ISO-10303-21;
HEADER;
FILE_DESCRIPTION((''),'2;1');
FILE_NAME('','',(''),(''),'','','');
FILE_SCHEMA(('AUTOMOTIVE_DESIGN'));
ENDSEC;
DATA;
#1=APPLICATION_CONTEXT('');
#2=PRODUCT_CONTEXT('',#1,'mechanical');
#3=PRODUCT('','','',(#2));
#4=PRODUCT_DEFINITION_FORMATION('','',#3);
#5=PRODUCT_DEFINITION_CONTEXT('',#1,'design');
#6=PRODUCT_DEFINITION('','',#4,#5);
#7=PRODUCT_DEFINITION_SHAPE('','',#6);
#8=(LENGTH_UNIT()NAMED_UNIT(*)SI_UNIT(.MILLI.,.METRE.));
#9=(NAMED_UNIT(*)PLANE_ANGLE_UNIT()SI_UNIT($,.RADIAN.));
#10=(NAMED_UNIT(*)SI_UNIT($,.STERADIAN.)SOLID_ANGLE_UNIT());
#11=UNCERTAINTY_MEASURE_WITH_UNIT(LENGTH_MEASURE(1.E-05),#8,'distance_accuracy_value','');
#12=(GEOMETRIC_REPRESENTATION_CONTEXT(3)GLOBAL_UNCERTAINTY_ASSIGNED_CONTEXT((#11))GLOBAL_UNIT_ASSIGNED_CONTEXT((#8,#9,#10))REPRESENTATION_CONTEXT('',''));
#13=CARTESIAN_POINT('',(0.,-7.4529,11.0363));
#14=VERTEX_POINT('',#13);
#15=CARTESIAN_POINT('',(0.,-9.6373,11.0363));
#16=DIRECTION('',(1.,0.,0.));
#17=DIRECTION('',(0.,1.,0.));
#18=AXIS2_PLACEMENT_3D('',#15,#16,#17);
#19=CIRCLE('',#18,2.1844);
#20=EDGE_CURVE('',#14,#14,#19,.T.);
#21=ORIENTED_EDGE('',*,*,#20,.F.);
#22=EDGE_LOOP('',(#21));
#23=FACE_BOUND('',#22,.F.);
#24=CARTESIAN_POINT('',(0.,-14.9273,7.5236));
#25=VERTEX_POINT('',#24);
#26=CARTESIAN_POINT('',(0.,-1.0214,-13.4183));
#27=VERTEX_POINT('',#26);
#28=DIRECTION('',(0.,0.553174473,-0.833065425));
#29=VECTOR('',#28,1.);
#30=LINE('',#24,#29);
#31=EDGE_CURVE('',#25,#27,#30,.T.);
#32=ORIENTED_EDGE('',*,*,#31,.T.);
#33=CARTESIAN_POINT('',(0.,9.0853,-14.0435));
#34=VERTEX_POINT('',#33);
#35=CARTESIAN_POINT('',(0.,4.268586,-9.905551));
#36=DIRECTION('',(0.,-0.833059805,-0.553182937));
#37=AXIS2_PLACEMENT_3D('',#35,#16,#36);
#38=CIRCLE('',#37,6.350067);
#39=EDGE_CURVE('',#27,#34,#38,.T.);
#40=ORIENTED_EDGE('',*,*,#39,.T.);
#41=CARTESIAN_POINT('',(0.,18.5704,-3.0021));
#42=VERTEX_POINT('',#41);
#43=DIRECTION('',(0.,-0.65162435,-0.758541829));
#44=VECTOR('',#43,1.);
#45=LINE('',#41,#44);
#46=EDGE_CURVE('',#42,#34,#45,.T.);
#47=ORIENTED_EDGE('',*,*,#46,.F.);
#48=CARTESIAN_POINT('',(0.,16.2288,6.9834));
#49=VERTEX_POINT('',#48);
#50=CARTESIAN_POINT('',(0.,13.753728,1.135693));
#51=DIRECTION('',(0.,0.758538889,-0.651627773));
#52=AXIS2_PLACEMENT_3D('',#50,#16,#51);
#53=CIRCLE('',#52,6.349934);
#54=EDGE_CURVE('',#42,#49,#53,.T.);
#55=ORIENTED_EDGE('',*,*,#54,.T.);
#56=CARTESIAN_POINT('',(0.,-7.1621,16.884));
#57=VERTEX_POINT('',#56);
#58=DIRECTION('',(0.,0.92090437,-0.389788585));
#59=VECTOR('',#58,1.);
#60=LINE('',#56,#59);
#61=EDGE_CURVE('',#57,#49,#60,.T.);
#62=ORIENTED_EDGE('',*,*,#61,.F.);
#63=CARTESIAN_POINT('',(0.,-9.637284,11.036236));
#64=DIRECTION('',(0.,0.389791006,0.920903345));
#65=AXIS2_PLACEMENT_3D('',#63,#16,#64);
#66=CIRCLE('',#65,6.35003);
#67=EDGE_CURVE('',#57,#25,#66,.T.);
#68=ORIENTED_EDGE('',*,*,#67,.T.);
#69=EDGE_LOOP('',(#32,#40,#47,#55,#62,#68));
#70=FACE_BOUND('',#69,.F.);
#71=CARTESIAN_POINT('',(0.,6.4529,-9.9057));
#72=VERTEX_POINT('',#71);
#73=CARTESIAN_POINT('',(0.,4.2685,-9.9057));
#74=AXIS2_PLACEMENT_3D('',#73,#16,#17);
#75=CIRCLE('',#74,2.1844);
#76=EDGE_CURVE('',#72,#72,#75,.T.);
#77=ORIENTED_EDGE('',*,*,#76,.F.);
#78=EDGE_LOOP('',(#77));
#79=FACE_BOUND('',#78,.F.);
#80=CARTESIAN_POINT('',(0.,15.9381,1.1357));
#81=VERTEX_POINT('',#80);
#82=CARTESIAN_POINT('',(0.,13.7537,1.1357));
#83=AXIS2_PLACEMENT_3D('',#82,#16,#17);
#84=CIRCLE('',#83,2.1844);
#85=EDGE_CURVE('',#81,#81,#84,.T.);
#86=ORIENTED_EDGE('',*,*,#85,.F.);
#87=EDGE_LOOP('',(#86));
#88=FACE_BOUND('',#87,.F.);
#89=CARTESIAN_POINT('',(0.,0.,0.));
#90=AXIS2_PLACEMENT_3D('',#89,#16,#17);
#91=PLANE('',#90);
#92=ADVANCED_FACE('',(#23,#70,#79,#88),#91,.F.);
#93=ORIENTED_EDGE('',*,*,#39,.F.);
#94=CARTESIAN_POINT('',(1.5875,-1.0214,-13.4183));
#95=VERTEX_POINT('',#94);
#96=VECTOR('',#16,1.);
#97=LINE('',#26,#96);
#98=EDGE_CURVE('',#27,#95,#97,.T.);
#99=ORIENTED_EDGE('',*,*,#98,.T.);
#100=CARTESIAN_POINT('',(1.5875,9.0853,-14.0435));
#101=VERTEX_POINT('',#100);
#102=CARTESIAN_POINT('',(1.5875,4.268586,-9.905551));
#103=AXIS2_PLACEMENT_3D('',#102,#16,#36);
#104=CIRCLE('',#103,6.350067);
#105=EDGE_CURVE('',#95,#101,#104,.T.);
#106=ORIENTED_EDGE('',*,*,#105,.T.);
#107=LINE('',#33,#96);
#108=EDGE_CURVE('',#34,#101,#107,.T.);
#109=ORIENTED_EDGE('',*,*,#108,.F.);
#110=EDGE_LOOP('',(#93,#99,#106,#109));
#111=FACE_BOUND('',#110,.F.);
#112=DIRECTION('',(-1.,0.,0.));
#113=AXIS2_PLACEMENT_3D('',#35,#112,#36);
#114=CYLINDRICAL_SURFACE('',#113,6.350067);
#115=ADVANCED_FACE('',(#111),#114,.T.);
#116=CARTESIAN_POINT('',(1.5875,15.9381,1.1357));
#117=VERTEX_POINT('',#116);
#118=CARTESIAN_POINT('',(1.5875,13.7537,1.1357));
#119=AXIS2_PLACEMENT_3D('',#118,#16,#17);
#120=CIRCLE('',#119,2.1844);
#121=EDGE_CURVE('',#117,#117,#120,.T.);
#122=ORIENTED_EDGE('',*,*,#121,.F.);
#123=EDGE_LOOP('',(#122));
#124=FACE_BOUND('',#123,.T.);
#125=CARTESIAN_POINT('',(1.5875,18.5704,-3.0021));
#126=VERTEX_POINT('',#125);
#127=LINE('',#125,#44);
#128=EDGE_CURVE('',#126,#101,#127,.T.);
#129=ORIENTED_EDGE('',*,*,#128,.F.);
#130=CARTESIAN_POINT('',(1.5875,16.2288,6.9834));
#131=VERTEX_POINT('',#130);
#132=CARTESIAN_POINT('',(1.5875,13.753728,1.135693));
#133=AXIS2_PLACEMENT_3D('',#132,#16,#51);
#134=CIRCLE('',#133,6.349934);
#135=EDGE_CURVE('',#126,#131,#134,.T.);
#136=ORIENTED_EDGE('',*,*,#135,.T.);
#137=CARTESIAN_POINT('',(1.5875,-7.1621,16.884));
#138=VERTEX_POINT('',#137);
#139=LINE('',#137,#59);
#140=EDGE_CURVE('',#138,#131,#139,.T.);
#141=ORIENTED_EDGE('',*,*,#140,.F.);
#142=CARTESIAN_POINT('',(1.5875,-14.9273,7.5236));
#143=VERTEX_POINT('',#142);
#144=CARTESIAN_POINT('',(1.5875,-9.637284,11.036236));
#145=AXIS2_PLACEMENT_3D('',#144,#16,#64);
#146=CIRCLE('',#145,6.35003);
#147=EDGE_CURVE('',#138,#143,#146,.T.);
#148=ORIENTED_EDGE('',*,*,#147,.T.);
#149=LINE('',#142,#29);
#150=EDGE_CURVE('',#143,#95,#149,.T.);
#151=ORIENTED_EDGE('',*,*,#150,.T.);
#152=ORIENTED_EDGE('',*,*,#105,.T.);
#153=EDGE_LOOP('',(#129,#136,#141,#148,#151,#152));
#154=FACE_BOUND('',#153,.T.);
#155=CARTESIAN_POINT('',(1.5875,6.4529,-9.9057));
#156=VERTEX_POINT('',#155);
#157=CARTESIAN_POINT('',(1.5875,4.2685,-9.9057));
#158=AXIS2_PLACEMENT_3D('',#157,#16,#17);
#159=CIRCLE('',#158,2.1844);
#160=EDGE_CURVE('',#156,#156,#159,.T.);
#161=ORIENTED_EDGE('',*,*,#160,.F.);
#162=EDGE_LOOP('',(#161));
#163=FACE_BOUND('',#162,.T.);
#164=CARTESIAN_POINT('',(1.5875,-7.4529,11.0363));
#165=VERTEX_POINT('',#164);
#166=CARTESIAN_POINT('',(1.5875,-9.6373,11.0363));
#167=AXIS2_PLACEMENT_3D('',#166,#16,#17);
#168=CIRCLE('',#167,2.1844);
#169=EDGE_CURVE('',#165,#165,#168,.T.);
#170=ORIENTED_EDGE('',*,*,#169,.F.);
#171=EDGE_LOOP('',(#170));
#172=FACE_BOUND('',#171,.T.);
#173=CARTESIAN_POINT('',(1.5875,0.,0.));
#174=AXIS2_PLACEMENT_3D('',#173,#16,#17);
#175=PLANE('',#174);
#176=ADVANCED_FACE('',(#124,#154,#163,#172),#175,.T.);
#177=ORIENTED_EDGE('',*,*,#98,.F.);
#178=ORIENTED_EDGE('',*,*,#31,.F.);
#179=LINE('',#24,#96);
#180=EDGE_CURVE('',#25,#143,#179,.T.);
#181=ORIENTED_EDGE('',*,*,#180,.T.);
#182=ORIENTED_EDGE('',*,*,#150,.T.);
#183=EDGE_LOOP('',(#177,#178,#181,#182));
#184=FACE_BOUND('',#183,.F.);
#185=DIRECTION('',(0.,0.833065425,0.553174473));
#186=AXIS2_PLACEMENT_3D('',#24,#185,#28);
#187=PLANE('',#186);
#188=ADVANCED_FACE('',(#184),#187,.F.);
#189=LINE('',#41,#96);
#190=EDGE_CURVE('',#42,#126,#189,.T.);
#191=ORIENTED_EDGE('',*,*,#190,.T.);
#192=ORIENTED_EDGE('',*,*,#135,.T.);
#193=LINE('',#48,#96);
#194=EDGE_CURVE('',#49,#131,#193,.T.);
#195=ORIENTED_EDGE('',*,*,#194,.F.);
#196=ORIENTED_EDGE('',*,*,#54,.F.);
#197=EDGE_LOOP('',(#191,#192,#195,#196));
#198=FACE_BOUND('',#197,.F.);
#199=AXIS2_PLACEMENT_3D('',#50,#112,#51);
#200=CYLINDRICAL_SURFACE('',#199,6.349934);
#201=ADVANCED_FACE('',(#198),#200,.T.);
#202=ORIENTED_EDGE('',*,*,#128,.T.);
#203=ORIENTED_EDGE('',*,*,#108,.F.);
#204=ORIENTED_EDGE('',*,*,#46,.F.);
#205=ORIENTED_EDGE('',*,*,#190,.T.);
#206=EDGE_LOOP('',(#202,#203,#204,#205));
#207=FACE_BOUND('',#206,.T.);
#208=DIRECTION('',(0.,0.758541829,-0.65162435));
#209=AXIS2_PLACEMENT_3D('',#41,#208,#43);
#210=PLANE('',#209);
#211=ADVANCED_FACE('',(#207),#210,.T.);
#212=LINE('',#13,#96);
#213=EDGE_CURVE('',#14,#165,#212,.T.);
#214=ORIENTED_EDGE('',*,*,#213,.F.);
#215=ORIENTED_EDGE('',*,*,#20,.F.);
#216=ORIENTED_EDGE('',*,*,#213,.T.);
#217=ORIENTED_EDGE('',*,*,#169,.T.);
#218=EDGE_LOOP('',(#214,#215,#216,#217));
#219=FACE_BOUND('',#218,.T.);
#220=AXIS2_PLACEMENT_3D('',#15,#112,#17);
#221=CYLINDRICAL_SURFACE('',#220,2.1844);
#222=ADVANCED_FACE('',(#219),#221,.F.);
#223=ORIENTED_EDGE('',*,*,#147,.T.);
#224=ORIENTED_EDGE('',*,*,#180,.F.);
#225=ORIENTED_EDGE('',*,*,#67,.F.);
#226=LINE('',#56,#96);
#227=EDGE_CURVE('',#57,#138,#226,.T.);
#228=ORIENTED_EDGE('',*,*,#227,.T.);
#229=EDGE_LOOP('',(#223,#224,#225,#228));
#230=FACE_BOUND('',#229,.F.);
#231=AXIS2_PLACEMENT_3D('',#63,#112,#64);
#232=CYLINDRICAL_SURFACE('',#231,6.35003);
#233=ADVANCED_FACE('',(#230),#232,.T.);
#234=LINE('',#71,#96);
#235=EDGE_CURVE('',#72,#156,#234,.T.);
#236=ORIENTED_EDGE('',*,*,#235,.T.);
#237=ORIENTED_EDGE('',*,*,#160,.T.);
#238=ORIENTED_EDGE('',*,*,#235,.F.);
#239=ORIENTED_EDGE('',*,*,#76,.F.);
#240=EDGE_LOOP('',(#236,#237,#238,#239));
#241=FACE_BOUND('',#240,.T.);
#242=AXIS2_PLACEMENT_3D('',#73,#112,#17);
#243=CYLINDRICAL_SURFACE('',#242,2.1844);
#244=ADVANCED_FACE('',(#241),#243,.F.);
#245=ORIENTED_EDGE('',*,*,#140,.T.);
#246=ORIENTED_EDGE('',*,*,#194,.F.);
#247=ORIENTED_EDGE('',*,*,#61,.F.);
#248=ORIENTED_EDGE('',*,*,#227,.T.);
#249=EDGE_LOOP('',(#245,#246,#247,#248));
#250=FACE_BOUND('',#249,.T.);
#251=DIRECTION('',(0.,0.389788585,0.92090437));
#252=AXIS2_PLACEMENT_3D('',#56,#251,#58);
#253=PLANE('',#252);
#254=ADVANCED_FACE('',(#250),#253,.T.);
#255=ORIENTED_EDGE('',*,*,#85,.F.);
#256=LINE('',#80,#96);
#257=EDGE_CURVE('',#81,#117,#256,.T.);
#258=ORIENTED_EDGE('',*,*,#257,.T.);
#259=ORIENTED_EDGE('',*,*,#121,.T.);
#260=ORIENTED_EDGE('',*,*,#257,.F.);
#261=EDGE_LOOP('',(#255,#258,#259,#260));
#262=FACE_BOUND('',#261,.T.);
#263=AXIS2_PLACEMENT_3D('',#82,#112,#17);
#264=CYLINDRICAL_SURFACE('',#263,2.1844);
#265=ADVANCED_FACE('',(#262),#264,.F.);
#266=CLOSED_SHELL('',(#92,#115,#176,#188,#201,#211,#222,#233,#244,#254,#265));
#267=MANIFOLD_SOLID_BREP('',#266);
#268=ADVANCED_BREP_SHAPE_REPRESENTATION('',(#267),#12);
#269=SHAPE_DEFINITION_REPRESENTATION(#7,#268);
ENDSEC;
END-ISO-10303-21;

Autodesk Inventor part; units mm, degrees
ref_plane "YZ Plane" through (0, 0, 0) normal (1, 0, 0) x (0, 1, 0)
ref_plane "XZ Plane" through (0, 0, 0) normal (0, 1, 0) x (-1, 0, 0)
ref_plane "XY Plane" through (0, 0, 0) normal (0, 0, 1) x (1, 0, 0)
sketch "Sketch1" plane through (0, 0, 0) normal (1, 0, 0) x (0, 1, 0)
  circle A0 centre (4.2685, -9.9057) radius 2.1844
  circle A1 centre (13.7537, 1.1357) radius 2.1844
  circle A2 centre (-9.6373, 11.0363) radius 2.1844
  arc A3 (18.5704, -3.0021) -> (16.2288, 6.9834) centre (13.7537, 1.1357) ccw
  arc A4 (-1.0214, -13.4183) -> (9.0853, -14.0435) centre (4.2685, -9.9057) ccw
  arc A5 (-7.1621, 16.884) -> (-14.9273, 7.5236) centre (-9.6373, 11.0363) ccw
  line L0 (-7.1621, 16.884) -> (16.2288, 6.9834)
  line L1 (-14.9273, 7.5236) -> (-1.0214, -13.4183)
  line L2 (18.5704, -3.0021) -> (9.0853, -14.0435)
  point P0 (0, 0)
  dimension "d0" = 12.7
  dimension "d1" = 12.7
  dimension "d2" = 12.7
extrude "Extrusion1" add sketch "Sketch1" along normal blind 1.5875
properties part number "Conveyer Gusset" material "Acetal Resin, White"
